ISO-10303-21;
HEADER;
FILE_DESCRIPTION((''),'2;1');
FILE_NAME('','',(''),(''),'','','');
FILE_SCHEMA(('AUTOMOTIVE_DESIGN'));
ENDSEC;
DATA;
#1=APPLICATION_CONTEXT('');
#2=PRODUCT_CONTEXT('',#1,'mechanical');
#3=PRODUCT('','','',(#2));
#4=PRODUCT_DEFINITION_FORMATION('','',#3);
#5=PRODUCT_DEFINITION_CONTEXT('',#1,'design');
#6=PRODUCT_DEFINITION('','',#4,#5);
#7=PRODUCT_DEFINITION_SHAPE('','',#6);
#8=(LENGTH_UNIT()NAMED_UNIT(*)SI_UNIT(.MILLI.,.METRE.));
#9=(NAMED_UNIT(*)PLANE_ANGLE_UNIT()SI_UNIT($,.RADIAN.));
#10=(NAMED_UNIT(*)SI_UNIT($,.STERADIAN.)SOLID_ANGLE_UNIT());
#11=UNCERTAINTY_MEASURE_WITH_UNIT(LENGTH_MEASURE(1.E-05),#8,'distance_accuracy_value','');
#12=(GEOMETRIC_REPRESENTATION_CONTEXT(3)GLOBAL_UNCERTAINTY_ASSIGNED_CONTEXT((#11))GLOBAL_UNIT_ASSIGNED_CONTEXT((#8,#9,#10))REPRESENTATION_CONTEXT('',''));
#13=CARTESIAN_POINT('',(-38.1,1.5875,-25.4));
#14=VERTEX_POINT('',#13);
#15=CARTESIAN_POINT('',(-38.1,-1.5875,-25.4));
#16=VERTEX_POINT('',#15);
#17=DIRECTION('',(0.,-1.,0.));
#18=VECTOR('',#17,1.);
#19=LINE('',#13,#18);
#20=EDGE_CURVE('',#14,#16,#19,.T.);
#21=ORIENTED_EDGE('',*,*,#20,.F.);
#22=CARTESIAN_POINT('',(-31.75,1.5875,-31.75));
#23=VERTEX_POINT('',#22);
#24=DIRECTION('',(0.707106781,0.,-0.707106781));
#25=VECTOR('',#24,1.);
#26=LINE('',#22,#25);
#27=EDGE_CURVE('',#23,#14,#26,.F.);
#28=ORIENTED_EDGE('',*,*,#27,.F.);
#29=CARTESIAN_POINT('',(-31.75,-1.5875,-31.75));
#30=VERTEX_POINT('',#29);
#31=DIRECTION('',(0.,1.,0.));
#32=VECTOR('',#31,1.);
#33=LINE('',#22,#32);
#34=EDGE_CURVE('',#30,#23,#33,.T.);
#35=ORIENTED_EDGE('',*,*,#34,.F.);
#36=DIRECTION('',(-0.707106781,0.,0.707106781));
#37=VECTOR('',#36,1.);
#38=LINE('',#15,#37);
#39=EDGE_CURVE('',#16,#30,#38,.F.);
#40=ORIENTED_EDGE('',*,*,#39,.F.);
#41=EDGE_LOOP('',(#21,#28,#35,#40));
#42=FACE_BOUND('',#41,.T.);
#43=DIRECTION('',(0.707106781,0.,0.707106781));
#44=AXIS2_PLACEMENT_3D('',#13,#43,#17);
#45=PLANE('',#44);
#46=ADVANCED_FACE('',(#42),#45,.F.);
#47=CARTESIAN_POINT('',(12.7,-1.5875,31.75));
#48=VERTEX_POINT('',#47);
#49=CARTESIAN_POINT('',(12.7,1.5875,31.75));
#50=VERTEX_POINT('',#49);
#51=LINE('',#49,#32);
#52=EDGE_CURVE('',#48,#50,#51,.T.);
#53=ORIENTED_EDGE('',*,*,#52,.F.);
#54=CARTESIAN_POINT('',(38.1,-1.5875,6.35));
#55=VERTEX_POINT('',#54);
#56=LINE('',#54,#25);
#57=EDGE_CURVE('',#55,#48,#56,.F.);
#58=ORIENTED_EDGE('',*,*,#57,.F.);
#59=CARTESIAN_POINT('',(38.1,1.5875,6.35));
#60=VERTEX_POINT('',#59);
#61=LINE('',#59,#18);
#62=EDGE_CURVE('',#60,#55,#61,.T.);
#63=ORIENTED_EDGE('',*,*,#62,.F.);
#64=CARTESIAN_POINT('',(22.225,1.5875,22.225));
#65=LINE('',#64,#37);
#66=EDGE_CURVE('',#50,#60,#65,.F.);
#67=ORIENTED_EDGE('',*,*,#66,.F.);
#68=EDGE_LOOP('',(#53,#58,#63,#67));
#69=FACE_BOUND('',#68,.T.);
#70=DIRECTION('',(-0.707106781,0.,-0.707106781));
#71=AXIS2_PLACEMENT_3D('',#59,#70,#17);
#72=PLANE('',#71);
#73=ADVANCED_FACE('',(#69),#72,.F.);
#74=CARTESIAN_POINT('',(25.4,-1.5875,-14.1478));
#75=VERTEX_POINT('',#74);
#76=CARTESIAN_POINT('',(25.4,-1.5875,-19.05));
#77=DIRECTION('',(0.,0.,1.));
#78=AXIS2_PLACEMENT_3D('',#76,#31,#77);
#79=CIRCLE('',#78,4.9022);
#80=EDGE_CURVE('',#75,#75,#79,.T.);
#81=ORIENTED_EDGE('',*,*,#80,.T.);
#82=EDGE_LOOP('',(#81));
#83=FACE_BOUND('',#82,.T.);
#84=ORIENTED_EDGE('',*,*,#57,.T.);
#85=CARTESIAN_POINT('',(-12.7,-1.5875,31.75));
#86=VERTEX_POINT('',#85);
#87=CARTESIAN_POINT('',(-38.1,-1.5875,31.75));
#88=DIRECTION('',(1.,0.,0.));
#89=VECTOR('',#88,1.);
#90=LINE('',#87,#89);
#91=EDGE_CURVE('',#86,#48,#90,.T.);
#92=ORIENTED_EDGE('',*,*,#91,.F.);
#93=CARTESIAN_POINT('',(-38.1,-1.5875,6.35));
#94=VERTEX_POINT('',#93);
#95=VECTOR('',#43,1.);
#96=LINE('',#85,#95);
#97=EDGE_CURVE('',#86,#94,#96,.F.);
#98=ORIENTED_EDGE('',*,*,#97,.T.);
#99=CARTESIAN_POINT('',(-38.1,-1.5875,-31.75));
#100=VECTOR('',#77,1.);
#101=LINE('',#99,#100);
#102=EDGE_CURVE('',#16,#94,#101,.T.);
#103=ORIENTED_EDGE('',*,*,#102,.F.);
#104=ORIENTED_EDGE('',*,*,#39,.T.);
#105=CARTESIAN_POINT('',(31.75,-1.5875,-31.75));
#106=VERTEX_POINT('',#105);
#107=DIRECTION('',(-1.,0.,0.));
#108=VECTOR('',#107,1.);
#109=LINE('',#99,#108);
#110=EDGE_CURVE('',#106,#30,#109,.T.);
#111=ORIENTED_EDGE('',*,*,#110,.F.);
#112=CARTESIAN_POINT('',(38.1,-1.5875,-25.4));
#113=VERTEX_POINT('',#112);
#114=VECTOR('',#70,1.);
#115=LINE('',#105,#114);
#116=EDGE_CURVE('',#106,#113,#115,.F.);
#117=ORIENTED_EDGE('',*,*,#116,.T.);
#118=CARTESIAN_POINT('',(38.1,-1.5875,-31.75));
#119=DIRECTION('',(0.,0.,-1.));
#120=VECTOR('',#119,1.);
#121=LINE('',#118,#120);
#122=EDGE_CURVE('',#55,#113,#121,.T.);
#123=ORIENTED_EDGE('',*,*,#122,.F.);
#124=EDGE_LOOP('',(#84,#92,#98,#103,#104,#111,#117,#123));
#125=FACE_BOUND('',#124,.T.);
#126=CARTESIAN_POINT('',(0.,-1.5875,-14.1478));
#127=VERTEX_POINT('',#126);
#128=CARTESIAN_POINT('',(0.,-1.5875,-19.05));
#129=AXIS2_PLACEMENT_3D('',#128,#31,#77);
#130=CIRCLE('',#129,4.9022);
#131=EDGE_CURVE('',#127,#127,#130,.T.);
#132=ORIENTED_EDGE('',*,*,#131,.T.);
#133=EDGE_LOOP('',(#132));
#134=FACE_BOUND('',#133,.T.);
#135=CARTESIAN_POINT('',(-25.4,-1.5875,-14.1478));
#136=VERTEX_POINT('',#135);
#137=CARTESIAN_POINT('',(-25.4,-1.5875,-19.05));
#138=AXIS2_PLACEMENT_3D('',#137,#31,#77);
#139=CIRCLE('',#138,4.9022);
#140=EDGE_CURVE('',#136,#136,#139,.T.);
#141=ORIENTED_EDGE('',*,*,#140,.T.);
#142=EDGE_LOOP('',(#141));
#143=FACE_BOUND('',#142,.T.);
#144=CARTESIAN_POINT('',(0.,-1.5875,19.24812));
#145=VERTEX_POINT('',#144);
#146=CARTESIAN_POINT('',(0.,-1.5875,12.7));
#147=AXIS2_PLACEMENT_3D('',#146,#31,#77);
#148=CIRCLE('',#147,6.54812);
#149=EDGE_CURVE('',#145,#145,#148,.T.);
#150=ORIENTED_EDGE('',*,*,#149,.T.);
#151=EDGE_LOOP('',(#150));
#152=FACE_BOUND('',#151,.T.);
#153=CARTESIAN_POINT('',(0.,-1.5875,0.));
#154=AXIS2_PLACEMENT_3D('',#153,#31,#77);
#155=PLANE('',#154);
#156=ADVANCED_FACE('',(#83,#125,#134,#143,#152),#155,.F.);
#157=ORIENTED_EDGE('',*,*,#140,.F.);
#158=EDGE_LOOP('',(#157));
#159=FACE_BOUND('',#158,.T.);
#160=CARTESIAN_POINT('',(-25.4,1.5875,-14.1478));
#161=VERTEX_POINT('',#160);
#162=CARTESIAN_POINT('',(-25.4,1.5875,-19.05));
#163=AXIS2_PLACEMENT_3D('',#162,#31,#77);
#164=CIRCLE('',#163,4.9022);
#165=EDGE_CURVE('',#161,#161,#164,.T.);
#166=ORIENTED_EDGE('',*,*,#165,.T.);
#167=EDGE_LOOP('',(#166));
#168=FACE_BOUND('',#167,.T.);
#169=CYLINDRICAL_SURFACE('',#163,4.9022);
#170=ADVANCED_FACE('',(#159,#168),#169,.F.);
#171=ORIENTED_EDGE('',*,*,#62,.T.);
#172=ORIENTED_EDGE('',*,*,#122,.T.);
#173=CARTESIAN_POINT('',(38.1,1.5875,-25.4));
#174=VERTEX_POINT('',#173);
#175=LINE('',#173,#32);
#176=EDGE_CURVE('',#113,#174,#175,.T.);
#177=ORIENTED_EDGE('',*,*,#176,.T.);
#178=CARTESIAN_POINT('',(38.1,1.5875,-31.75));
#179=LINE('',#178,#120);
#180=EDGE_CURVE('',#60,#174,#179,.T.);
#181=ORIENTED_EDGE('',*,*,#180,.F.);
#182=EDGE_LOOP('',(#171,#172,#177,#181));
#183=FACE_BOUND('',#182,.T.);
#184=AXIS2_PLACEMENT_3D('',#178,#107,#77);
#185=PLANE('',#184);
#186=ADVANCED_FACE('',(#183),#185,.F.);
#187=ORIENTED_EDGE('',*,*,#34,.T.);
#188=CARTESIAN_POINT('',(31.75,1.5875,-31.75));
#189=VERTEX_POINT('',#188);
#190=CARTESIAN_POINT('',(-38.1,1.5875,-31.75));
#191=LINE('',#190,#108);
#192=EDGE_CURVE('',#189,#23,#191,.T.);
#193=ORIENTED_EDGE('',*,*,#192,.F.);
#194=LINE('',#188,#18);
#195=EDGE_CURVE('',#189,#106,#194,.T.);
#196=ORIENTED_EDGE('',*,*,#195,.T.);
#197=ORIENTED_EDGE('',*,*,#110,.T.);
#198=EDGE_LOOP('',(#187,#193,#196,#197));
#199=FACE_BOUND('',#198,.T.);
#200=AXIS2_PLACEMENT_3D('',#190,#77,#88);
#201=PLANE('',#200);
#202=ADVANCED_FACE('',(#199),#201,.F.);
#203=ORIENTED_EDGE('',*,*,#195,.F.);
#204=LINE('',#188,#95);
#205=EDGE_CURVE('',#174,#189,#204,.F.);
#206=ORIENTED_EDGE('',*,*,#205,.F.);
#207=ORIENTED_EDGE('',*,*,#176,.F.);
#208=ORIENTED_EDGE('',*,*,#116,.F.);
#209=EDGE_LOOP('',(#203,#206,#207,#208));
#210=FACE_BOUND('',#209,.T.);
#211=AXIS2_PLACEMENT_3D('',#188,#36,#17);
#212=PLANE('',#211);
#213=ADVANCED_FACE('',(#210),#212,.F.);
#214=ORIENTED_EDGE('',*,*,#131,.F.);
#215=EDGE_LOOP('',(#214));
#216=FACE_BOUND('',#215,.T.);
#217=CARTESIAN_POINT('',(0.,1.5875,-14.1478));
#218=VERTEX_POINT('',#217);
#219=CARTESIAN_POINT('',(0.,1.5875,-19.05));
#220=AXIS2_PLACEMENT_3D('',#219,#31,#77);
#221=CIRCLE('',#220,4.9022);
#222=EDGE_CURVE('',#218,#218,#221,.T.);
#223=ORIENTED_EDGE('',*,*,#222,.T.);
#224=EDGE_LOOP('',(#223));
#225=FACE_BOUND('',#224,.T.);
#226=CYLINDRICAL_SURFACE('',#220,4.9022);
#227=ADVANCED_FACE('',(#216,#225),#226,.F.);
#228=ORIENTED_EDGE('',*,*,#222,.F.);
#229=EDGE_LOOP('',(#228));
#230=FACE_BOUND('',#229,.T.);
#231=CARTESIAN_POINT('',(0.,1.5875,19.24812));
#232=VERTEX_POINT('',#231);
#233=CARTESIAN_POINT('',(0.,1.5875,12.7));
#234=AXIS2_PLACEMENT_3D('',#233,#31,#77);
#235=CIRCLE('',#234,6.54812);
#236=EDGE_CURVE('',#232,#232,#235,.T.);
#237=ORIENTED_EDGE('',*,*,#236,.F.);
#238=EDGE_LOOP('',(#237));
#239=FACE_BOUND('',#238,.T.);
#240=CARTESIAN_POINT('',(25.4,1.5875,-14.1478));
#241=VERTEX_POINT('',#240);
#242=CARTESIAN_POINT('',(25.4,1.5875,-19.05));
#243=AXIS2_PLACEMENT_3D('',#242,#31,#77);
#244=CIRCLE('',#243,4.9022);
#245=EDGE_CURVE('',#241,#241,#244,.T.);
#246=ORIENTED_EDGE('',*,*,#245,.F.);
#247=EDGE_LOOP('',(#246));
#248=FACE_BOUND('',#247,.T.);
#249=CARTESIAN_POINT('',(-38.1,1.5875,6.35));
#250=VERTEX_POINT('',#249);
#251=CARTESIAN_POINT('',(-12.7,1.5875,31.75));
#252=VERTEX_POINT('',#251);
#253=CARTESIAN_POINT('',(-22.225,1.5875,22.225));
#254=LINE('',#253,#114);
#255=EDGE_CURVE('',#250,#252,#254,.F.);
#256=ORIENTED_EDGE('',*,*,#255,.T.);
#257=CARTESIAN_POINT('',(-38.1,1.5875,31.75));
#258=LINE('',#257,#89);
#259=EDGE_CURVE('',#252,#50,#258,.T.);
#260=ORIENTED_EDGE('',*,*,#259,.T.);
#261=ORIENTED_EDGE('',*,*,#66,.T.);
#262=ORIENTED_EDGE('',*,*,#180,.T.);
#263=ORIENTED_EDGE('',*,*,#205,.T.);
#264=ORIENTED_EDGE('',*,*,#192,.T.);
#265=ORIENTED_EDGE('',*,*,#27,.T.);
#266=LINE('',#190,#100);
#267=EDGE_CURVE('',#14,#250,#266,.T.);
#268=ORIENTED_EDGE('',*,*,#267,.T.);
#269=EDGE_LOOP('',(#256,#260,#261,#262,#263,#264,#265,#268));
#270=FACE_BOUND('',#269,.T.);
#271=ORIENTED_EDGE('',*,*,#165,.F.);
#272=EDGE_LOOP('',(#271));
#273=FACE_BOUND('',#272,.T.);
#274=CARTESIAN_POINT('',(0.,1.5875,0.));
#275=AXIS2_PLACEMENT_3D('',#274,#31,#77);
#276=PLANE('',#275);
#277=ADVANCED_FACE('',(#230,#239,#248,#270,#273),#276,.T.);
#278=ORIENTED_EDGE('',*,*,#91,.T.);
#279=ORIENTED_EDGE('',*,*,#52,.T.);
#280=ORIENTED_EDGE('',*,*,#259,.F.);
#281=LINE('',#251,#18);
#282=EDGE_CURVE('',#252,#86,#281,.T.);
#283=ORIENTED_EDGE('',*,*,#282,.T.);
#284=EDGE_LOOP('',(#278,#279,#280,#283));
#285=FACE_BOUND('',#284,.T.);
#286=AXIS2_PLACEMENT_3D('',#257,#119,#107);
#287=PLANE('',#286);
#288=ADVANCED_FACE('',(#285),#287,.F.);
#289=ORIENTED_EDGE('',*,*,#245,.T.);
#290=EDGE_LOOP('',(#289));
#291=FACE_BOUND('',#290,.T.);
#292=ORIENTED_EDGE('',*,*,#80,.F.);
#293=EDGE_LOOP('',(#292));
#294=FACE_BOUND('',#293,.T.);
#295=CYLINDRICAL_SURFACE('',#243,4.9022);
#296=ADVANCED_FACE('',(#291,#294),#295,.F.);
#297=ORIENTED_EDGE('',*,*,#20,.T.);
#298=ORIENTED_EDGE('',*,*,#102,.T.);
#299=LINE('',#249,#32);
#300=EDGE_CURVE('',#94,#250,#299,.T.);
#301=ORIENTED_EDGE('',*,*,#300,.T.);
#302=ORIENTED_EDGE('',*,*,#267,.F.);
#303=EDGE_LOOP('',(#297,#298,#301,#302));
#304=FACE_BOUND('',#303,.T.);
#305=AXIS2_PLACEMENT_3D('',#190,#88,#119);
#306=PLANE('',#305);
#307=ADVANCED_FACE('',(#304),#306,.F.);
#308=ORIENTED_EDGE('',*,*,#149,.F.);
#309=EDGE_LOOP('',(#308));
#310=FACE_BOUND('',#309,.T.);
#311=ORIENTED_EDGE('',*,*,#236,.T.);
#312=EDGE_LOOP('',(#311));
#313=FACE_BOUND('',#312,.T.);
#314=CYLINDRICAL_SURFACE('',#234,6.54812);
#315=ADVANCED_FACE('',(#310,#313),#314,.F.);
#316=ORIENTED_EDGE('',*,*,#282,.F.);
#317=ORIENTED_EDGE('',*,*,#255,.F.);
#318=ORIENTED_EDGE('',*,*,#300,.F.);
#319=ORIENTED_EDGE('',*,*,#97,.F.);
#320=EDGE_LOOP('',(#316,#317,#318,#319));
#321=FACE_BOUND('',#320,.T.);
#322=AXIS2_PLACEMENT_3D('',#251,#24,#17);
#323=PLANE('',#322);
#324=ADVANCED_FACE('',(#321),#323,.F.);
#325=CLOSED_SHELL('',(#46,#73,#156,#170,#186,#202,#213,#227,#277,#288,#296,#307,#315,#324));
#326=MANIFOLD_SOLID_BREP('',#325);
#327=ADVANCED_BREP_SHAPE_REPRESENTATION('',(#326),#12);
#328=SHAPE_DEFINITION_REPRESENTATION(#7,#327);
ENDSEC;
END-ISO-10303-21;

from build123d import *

# Parameters (mm, degrees)
SKETCH1_W               = 76.2
SKETCH1_H               = 63.5
BOSS_EXTRUDE1_DEPTH     = 1.5875
F_3_8_CLEARANCE_HOLE1_D = 9.8044
F_1_2_CLEARANCE_HOLE1_D = 13.09624
CHAMFER1_SIZE           = 25.4
CHAMFER2_SIZE           = 6.35


with BuildPart() as part:
    # Sketch1 → Boss-Extrude1 (new, symmetric)
    with BuildSketch(Plane(origin=(0, 0, 0), x_dir=(1, 0, 0), z_dir=(0, 1, 0))):
        Rectangle(SKETCH1_W, SKETCH1_H)
    extrude(amount=BOSS_EXTRUDE1_DEPTH, both=True)

    # 3/8 Clearance Hole1 (through all)
    with Locations(Plane(origin=(0, 1.5875, 0), x_dir=(1, 0, 0), z_dir=(0, 1, 0))):
        with Locations((0, 19.05), (25.4, 19.05), (-25.4, 19.05)):
            Hole(F_3_8_CLEARANCE_HOLE1_D / 2)

    # 1/2 Clearance Hole1 (through all)
    with Locations(Plane(origin=(0, 1.5875, 0), x_dir=(1, 0, 0), z_dir=(0, 1, 0))):
        with Locations((0, -12.7)):
            Hole(F_1_2_CLEARANCE_HOLE1_D / 2)

    # Chamfer1
    chamfer1_edges = [part.edges().sort_by_distance(p)[0] for p in [
        (38.1, 0, 31.75),
        (-38.1, 0, 31.75),
    ]]
    chamfer(chamfer1_edges, length=CHAMFER1_SIZE)

    # Chamfer2
    chamfer2_edges = [part.edges().sort_by_distance(p)[0] for p in [
        (-38.1, 0, -31.75),
        (38.1, 0, -31.75),
    ]]
    chamfer(chamfer2_edges, length=CHAMFER2_SIZE)


solid = part.part
